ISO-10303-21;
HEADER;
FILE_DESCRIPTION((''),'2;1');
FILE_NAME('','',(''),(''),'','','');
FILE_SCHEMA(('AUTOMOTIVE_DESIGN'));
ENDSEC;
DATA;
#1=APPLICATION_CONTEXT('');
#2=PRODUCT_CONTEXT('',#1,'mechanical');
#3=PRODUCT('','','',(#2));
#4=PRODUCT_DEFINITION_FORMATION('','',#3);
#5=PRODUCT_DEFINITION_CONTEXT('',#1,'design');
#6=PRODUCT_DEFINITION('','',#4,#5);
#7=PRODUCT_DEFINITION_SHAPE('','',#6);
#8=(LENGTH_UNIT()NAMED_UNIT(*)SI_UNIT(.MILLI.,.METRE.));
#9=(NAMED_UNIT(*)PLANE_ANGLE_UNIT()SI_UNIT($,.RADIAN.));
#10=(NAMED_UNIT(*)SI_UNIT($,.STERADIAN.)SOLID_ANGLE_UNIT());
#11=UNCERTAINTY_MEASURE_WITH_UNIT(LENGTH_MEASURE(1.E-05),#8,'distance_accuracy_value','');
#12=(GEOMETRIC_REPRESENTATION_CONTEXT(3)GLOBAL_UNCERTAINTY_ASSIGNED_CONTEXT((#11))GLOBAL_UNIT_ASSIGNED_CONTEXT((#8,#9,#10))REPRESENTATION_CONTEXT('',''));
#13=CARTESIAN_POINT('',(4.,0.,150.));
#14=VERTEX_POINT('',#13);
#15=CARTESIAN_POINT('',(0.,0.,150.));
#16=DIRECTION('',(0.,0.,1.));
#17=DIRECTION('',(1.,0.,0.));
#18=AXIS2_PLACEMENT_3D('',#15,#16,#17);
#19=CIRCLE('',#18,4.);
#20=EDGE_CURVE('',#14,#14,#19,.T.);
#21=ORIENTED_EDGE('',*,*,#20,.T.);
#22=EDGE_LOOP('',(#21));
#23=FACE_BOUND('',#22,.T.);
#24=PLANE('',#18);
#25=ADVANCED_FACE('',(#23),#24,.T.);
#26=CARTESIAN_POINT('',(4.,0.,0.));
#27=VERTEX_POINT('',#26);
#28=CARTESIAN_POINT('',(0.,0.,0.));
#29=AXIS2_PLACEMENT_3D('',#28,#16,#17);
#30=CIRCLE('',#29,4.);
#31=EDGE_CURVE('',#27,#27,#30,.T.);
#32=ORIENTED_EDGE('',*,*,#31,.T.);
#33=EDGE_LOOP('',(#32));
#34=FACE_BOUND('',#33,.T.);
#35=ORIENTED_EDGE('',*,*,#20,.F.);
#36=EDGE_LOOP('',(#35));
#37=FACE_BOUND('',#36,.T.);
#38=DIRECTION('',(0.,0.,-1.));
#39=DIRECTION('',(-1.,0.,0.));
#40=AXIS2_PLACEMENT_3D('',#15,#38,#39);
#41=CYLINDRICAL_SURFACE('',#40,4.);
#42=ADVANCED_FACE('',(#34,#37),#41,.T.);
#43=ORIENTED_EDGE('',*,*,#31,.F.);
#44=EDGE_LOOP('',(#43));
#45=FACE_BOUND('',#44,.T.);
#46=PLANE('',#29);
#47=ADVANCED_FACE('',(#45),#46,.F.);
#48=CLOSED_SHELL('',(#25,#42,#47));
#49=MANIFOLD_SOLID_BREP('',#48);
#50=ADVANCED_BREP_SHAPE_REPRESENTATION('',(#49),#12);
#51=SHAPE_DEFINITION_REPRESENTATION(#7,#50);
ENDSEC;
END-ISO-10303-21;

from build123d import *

# Parameters (mm, degrees)
SKETCH1_R           = 4
BOSS_EXTRUDE1_DEPTH = 150


with BuildPart() as part:
    # Sketch1 → Boss-Extrude1 (new body)
    with BuildSketch(Plane.XY):
        Circle(SKETCH1_R)
    extrude(amount=BOSS_EXTRUDE1_DEPTH)


solid = part.part
